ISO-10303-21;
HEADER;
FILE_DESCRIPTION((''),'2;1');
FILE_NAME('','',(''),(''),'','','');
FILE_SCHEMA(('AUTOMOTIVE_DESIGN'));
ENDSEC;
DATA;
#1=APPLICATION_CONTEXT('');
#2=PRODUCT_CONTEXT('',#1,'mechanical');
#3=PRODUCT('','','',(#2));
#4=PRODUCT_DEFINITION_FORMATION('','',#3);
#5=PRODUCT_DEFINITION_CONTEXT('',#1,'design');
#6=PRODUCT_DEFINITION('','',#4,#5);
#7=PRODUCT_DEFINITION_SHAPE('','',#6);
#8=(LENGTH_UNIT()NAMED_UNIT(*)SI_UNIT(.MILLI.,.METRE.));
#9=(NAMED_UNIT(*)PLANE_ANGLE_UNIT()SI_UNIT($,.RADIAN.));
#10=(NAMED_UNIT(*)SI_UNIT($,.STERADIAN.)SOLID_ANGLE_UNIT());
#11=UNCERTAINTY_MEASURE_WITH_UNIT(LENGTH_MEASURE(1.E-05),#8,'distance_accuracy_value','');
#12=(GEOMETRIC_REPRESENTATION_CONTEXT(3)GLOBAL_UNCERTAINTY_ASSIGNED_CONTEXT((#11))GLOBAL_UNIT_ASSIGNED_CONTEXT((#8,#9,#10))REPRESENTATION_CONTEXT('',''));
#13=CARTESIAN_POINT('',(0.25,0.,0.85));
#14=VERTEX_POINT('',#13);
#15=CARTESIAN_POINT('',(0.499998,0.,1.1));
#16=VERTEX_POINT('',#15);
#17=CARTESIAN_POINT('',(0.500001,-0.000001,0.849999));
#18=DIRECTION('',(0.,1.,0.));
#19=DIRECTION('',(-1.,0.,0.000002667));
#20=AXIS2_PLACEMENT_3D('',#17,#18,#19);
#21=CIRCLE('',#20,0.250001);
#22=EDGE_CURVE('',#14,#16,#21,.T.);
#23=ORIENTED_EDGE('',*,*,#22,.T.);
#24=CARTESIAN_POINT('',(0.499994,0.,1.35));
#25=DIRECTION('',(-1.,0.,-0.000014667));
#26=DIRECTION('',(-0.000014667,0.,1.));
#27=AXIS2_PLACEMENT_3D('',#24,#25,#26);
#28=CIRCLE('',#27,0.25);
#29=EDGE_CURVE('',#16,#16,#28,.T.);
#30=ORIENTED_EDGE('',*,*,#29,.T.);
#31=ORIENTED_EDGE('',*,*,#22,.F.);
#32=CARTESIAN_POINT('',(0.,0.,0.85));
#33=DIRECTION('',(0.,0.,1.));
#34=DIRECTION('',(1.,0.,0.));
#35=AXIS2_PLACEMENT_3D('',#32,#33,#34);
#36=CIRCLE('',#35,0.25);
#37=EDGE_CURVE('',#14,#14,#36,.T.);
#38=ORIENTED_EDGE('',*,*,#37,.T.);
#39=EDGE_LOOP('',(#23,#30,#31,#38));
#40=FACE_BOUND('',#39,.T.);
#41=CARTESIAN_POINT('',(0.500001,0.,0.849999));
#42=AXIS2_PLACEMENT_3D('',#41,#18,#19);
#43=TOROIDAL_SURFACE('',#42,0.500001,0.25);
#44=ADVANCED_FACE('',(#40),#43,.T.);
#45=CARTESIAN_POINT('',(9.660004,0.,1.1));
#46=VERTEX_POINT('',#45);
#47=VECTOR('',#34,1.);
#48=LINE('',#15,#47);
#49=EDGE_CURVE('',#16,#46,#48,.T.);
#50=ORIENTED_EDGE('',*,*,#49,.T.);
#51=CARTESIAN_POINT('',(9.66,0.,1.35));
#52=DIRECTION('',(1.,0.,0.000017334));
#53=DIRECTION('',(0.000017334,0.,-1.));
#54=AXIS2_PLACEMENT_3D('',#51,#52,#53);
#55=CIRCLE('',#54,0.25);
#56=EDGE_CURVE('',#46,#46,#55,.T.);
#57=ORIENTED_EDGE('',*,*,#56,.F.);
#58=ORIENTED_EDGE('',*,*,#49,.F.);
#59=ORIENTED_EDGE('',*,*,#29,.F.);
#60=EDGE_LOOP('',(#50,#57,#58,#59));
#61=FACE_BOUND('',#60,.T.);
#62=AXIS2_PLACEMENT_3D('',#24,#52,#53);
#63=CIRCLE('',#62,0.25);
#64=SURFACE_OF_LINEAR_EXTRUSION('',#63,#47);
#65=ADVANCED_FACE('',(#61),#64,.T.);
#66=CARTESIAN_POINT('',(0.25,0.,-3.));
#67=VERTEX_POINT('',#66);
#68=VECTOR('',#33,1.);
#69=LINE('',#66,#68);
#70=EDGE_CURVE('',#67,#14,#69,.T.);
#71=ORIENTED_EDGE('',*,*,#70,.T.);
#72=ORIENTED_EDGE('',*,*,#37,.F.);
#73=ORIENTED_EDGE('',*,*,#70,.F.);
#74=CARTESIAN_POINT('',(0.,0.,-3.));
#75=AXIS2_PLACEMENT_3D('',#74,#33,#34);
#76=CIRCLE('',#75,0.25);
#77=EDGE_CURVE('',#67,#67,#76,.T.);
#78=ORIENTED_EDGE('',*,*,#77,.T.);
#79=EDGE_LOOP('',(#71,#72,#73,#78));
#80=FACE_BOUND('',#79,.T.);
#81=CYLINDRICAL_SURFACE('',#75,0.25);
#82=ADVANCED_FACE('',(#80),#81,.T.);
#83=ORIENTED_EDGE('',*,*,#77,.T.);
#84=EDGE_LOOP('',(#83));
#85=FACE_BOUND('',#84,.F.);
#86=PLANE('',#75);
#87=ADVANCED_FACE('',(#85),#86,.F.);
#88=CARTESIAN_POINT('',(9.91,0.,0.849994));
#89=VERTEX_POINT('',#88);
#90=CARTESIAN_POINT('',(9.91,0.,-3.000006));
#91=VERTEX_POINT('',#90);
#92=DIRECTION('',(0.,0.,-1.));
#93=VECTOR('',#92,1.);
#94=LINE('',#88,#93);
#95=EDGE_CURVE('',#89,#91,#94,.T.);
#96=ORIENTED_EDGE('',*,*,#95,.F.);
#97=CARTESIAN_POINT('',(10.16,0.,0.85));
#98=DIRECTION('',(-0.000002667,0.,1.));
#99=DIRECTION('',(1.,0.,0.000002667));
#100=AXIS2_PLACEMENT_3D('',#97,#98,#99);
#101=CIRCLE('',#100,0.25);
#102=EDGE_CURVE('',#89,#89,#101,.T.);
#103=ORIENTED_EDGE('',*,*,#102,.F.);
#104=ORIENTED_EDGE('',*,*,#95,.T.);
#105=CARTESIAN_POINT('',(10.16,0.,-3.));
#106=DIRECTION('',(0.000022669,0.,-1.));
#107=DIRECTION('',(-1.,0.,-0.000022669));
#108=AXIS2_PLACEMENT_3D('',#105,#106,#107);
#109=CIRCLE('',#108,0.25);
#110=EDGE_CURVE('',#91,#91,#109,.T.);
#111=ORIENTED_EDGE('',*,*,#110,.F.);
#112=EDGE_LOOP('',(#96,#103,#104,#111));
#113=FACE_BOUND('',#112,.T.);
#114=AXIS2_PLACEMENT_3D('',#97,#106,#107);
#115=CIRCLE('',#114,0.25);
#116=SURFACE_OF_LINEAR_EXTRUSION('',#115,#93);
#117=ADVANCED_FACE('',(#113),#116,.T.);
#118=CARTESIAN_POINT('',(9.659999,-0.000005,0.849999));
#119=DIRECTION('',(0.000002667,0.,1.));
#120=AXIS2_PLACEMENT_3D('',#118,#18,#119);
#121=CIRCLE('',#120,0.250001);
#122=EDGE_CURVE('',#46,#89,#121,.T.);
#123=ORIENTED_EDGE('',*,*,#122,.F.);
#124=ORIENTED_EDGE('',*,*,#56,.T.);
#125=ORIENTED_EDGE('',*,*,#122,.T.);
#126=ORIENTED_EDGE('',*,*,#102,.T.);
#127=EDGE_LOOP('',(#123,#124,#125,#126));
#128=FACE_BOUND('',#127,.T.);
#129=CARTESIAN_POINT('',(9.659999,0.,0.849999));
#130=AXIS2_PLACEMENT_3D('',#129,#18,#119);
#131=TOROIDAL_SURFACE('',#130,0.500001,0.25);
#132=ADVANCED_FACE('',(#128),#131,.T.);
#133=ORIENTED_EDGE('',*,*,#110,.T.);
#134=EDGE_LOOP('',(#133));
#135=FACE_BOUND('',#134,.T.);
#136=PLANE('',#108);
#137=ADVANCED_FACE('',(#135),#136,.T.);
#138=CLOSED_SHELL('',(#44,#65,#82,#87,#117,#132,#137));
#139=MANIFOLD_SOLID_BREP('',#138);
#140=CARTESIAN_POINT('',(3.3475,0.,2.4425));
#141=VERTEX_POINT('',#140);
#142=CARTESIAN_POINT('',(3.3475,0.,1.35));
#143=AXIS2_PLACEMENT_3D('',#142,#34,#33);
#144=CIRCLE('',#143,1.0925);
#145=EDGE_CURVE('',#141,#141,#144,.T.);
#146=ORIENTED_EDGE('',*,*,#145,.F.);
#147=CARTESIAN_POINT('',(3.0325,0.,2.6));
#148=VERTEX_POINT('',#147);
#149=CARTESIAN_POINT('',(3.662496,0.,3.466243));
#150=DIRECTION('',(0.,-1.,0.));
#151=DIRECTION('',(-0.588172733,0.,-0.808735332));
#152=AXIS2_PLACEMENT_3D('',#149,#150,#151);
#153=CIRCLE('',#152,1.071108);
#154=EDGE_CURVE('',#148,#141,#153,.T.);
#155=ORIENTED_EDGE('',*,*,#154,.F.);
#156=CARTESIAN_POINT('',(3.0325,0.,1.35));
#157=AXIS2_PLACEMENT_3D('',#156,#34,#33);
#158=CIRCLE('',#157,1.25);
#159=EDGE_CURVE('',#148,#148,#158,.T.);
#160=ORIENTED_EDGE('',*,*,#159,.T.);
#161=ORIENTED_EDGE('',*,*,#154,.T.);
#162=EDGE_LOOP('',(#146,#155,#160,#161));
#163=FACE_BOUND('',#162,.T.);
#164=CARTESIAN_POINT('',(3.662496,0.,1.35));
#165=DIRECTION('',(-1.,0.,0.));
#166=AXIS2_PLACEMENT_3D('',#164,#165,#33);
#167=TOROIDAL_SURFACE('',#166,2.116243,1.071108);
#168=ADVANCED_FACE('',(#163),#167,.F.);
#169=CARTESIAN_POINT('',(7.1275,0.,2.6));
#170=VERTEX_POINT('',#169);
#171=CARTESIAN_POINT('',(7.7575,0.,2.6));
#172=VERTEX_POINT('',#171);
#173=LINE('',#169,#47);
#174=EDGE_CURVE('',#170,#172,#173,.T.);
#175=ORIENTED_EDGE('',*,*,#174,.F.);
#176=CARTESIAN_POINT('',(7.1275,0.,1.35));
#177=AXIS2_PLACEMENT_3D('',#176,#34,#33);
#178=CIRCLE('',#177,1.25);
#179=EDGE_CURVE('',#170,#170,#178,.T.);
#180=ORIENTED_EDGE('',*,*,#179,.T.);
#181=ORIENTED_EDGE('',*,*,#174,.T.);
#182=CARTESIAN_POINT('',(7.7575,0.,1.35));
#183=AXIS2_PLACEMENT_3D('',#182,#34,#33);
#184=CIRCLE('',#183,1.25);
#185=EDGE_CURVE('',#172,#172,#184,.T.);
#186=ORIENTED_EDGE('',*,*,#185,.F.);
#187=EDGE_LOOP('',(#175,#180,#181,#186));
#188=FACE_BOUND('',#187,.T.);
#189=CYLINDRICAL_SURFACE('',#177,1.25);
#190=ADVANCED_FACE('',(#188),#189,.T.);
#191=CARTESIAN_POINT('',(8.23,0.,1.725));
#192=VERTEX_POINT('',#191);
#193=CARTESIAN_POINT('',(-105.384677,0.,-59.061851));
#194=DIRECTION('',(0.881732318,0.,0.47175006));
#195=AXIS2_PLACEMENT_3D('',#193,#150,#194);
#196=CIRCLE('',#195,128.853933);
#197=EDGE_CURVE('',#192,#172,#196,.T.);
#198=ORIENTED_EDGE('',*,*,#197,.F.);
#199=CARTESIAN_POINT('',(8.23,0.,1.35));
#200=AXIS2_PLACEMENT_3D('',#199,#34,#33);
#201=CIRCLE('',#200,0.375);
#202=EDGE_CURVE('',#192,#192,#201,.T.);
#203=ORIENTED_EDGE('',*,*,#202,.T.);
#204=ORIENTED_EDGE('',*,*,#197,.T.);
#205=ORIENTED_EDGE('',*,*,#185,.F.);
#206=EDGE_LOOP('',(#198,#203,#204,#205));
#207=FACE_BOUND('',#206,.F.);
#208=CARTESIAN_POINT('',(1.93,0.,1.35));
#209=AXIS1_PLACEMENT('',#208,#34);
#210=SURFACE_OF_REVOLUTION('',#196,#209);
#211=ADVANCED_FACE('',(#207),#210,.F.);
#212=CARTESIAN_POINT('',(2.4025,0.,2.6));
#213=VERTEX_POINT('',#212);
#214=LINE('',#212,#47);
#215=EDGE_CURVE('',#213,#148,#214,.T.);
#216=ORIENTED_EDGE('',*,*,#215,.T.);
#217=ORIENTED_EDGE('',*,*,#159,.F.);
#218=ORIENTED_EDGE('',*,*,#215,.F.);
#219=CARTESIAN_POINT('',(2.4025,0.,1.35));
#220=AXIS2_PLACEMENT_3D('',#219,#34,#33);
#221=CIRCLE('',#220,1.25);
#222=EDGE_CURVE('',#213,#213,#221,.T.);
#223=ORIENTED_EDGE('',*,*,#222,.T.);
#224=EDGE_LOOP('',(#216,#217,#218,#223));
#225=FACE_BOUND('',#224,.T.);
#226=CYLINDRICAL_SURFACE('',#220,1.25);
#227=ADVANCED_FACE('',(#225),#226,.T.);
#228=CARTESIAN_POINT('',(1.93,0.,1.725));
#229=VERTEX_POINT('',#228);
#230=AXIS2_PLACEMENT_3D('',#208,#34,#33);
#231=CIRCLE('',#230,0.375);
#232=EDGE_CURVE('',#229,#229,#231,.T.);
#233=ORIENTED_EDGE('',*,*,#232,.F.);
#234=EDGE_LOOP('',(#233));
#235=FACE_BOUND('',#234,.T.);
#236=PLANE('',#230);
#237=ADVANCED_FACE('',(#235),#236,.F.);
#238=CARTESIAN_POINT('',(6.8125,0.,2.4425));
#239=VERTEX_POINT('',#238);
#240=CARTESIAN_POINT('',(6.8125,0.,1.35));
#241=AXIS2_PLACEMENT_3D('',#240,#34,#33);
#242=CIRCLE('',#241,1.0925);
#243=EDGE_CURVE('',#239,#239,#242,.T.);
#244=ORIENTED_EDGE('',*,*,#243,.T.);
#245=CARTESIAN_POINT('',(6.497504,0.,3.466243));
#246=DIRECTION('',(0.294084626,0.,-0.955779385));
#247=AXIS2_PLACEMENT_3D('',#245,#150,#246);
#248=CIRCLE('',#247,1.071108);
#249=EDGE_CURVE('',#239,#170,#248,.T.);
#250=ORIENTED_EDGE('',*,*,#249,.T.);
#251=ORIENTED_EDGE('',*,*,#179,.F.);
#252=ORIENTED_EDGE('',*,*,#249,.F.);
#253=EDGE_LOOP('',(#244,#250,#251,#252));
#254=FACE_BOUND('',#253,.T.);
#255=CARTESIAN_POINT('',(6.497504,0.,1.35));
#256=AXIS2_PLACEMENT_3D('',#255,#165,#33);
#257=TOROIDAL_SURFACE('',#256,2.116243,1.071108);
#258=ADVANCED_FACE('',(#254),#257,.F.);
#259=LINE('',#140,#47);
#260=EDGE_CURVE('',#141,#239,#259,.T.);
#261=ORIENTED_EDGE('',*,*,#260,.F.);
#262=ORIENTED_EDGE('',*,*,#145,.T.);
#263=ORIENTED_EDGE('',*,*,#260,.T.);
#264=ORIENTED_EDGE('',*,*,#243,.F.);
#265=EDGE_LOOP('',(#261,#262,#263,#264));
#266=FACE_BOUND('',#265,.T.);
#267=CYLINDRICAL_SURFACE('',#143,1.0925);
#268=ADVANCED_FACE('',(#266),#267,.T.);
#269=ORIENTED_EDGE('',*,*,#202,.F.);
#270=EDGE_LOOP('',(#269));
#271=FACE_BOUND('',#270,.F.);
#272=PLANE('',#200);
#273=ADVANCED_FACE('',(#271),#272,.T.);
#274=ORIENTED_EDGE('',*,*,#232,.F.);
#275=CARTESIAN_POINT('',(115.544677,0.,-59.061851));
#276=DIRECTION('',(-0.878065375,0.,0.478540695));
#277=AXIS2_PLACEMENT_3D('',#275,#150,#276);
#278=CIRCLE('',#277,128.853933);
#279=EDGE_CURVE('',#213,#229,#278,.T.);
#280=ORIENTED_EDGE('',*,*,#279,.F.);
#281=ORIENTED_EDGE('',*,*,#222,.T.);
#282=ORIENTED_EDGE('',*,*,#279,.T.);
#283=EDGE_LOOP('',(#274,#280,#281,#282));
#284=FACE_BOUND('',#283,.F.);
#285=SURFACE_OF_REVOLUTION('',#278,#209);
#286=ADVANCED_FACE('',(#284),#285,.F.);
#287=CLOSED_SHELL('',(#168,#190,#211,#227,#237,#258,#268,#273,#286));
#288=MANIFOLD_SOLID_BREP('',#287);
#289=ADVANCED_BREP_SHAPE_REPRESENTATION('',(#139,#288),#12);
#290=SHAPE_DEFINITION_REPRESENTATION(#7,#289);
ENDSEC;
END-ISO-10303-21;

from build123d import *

# Parameters (mm, degrees)
SKETCH_R = 0.25


with BuildPart() as revolution:
    # Sketch002 → Revolution (revolve)
    with BuildSketch(Plane.XZ):
        with BuildLine():
            Line((2.4025, 2.6), (3.0325, 2.6))
            ThreePointArc((3.0325, 2.6), (3.183482, 2.508215), (3.3475, 2.4425))
            Line((3.3475, 2.4425), (6.8125, 2.4425))
            ThreePointArc((6.8125, 2.4425), (6.976518, 2.508215), (7.1275, 2.6))
            Line((7.1275, 2.6), (7.7575, 2.6))
            ThreePointArc((8.23, 1.725), (7.994594, 2.162956), (7.7575, 2.6))
            Line((8.23, 1.35), (8.23, 1.725))
            Line((1.93, 1.35), (8.23, 1.35))
            Line((1.93, 1.35), (1.93, 1.725))
            ThreePointArc((2.4025, 2.6), (2.165406, 2.162956), (1.93, 1.725))
        make_face()
    revolve(axis=Axis((1.93, 0, 1.35), (1, 0, 0)))


with BuildPart() as sweep_body:
    # Sweep: sweep along a path in Sketch001
    with BuildLine(Plane.XZ) as sweep_path:
        Line((0, -3), (0, 0.85))
        ThreePointArc((0, 0.85), (0.146445, 1.203551), (0.499994, 1.35))
        Line((0.499994, 1.35), (9.66, 1.35))
        ThreePointArc((9.66, 1.35), (10.013553, 1.203553), (10.16, 0.85))
        Line((10.16, 0.85), (10.16, -3))
    # Sketch → Sweep (sweep)
    with BuildSketch(Plane.XY.offset(-2)):
        Circle(SKETCH_R)
    sweep(path=sweep_path.line)


solid = Compound([revolution.part, sweep_body.part])
